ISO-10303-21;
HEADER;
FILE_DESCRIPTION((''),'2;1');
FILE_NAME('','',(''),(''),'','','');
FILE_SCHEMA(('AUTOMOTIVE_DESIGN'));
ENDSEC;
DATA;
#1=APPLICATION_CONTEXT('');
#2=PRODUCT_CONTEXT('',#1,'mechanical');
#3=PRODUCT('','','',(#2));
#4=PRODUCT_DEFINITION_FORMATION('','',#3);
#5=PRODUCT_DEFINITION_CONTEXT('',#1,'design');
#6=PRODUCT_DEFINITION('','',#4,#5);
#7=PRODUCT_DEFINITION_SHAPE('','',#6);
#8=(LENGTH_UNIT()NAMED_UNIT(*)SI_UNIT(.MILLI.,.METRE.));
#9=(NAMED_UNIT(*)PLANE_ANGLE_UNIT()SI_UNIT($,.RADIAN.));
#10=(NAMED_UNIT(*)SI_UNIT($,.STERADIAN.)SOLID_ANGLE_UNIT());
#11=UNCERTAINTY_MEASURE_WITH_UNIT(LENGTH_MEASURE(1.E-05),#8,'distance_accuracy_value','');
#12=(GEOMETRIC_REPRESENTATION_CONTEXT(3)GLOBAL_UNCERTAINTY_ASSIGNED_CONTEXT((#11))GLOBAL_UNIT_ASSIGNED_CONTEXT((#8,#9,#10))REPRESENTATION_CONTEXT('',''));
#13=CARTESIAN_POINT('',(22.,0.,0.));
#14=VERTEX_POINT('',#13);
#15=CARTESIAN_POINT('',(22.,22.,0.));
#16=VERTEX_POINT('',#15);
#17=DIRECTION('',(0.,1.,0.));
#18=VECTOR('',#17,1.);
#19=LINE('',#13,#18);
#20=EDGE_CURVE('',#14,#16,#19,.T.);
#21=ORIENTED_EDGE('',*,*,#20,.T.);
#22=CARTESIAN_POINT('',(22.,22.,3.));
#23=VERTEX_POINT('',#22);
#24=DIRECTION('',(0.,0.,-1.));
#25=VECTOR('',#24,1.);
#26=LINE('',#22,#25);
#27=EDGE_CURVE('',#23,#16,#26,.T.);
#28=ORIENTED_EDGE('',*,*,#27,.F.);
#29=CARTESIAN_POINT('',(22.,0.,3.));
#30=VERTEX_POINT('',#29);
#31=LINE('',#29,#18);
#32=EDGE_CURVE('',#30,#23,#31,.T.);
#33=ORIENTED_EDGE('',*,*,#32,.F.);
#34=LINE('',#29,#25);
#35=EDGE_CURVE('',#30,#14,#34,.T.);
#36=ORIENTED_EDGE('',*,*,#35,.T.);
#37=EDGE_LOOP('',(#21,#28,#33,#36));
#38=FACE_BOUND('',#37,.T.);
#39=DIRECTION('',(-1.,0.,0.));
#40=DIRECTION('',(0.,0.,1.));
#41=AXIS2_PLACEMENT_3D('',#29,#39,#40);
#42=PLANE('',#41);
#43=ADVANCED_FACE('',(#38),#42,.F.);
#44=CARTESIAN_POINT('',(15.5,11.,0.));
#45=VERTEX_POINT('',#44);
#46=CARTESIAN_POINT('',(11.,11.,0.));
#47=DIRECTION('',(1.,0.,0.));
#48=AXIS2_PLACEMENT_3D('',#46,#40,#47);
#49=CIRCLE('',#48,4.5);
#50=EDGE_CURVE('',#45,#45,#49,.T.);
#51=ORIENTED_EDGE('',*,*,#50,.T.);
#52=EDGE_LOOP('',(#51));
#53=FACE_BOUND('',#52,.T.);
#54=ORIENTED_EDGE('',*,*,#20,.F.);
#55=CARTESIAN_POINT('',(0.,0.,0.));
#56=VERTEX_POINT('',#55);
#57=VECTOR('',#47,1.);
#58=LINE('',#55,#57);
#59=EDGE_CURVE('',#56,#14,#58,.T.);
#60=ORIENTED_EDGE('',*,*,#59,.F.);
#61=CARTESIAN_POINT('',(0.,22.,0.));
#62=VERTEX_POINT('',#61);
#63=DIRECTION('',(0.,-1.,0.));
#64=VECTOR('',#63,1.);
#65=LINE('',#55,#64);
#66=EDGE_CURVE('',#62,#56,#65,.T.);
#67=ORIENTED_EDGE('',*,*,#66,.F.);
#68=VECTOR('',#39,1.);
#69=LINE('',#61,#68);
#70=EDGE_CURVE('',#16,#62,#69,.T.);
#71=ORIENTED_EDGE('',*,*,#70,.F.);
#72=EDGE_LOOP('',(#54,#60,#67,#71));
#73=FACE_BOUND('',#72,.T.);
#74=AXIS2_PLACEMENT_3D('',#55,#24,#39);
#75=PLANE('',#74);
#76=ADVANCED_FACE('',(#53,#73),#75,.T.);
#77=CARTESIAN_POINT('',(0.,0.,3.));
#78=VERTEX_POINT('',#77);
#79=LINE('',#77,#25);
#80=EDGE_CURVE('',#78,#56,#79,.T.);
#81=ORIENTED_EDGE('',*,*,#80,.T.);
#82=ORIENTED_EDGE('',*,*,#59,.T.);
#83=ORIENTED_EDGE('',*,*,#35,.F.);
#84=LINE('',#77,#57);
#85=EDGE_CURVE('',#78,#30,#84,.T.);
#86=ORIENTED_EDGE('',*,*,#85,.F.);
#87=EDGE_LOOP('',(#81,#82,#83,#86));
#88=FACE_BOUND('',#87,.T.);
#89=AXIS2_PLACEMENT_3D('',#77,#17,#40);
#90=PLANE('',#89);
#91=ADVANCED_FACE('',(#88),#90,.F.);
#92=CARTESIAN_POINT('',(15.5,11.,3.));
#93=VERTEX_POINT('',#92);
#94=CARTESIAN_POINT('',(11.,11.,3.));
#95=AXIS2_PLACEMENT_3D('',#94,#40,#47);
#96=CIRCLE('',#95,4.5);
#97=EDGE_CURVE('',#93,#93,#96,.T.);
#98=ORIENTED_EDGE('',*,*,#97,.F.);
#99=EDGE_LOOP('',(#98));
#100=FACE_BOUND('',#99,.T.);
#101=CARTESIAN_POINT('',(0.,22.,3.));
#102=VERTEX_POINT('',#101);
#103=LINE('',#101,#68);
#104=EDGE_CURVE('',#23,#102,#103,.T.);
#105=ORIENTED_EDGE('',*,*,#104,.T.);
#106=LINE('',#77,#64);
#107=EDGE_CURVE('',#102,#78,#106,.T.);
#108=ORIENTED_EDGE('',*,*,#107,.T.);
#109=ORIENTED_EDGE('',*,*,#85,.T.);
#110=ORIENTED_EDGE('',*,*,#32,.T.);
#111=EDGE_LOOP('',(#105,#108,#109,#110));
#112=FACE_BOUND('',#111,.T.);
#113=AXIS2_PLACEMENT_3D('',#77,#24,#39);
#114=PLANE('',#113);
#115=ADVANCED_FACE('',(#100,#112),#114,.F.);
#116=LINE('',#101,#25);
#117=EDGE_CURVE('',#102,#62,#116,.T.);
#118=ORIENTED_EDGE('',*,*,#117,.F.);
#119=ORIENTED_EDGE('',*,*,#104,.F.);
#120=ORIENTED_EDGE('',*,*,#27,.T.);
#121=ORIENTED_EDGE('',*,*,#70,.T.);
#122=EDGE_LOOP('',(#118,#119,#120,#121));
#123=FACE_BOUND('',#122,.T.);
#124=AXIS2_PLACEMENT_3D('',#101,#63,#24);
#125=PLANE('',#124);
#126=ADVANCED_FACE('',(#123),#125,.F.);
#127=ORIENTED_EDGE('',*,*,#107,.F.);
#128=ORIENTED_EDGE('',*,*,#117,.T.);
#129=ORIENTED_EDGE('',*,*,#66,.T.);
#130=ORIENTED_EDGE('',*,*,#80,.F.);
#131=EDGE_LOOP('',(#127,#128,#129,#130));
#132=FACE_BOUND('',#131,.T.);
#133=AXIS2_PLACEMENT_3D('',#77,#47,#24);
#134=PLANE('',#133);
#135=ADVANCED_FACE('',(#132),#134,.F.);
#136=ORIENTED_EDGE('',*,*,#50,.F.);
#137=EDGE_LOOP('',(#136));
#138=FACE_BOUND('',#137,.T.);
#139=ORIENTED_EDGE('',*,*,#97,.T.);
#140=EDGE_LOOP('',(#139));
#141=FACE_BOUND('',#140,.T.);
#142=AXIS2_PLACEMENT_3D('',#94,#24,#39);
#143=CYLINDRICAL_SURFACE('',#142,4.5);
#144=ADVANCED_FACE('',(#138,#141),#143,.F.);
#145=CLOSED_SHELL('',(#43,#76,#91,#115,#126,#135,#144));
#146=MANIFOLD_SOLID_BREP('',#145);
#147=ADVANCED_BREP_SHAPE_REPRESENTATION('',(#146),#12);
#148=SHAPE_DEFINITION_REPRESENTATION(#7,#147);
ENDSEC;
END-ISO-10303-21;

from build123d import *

# Parameters (mm, degrees)
SKETCH1_W           = 22
SKETCH1_H           = 22
SKETCH1_R           = 4.5
BOSS_EXTRUDE1_DEPTH = 3


with BuildPart() as part:
    # Sketch1 → Boss-Extrude1 (new body)
    with BuildSketch(Plane.XY):
        with Locations((11, 11)):
            Rectangle(SKETCH1_W, SKETCH1_H)
        with Locations((11, 11)):
            Circle(SKETCH1_R, mode=Mode.SUBTRACT)
    extrude(amount=BOSS_EXTRUDE1_DEPTH)


solid = part.part
